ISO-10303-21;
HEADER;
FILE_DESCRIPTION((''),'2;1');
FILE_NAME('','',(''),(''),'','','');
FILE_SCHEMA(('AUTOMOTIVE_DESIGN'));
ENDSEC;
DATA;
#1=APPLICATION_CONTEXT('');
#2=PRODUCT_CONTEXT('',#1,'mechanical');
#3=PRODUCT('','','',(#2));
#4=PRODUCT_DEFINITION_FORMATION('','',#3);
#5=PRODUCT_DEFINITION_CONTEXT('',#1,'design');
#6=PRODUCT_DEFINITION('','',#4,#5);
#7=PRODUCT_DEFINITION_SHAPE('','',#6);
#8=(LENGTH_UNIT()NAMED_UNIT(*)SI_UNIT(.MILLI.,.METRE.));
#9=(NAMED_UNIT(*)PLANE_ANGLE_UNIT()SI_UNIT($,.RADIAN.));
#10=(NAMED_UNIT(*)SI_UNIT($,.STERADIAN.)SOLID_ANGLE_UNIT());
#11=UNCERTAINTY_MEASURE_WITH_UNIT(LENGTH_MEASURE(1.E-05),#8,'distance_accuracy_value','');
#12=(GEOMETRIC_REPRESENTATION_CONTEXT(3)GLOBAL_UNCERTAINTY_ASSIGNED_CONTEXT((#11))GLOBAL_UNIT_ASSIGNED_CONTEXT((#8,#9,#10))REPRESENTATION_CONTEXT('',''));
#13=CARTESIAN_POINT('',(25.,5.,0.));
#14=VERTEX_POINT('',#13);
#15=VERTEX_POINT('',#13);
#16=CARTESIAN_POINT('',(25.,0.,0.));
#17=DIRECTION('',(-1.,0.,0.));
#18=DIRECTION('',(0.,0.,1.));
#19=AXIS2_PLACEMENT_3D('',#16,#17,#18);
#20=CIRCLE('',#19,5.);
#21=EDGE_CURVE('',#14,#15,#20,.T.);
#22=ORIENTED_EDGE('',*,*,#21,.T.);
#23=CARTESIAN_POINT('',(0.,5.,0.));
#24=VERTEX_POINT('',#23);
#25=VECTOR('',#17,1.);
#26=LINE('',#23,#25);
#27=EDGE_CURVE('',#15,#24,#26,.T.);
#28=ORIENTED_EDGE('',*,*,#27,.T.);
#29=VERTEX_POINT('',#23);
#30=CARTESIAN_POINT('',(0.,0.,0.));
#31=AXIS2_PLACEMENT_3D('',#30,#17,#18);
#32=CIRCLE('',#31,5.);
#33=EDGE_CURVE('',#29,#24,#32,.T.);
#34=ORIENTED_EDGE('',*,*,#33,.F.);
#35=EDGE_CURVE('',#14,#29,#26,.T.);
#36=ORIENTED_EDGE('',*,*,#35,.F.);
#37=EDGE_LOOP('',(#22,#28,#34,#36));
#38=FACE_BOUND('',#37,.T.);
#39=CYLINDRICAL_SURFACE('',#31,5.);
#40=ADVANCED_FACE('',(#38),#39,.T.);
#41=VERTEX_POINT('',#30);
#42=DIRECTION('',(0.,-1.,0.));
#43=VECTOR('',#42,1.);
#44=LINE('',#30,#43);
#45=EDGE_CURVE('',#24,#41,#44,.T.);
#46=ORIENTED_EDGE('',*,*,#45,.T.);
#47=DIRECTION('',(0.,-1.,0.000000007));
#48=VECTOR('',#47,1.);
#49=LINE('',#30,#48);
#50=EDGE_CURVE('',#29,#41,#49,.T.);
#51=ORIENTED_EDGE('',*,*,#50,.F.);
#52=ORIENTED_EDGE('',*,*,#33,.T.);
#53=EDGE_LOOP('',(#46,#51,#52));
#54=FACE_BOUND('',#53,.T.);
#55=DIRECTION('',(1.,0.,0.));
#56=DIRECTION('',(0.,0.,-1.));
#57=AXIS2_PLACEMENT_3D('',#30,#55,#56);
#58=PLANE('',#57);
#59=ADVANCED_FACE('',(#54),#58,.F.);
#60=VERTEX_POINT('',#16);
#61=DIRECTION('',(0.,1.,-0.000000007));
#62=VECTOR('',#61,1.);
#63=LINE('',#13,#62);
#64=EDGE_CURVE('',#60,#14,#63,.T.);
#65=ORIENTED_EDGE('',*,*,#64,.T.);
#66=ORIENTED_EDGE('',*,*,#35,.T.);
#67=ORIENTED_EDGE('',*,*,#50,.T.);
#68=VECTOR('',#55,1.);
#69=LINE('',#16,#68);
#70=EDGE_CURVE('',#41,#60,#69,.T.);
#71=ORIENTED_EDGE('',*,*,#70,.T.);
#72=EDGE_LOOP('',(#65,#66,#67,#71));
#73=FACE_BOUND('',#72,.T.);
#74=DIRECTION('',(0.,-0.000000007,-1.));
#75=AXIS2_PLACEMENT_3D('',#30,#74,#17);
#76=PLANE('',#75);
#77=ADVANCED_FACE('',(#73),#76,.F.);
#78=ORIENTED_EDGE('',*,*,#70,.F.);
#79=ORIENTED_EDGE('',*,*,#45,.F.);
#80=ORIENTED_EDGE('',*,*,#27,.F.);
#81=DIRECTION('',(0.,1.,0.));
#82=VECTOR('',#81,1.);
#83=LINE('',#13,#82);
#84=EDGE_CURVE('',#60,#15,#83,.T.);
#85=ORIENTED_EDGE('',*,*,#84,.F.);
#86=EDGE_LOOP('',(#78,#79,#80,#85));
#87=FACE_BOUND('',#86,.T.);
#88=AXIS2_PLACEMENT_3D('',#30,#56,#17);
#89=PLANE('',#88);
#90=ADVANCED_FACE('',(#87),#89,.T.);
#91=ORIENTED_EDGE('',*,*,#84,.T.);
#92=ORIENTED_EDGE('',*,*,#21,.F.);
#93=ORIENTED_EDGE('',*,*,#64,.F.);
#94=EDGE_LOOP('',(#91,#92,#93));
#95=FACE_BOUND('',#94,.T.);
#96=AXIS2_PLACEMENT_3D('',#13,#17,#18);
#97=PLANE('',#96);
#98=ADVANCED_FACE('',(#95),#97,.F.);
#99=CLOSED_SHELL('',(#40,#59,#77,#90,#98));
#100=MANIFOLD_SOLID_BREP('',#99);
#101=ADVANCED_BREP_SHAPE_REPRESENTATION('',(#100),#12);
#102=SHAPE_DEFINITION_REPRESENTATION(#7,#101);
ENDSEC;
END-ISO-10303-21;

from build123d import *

# Parameters (mm, degrees)
SKETCH1_W      = 25
SKETCH1_H      = 5
REVOLVE1_ANGLE = 359.999999589


with BuildPart() as part:
    # Sketch1 → Revolve1 (revolve)
    with BuildSketch(Plane.XY):
        with Locations((12.5, 2.5)):
            Rectangle(SKETCH1_W, SKETCH1_H)
    revolve(axis=Axis((0, 0, 0), (1, 0, 0)), revolution_arc=REVOLVE1_ANGLE)


solid = part.part
